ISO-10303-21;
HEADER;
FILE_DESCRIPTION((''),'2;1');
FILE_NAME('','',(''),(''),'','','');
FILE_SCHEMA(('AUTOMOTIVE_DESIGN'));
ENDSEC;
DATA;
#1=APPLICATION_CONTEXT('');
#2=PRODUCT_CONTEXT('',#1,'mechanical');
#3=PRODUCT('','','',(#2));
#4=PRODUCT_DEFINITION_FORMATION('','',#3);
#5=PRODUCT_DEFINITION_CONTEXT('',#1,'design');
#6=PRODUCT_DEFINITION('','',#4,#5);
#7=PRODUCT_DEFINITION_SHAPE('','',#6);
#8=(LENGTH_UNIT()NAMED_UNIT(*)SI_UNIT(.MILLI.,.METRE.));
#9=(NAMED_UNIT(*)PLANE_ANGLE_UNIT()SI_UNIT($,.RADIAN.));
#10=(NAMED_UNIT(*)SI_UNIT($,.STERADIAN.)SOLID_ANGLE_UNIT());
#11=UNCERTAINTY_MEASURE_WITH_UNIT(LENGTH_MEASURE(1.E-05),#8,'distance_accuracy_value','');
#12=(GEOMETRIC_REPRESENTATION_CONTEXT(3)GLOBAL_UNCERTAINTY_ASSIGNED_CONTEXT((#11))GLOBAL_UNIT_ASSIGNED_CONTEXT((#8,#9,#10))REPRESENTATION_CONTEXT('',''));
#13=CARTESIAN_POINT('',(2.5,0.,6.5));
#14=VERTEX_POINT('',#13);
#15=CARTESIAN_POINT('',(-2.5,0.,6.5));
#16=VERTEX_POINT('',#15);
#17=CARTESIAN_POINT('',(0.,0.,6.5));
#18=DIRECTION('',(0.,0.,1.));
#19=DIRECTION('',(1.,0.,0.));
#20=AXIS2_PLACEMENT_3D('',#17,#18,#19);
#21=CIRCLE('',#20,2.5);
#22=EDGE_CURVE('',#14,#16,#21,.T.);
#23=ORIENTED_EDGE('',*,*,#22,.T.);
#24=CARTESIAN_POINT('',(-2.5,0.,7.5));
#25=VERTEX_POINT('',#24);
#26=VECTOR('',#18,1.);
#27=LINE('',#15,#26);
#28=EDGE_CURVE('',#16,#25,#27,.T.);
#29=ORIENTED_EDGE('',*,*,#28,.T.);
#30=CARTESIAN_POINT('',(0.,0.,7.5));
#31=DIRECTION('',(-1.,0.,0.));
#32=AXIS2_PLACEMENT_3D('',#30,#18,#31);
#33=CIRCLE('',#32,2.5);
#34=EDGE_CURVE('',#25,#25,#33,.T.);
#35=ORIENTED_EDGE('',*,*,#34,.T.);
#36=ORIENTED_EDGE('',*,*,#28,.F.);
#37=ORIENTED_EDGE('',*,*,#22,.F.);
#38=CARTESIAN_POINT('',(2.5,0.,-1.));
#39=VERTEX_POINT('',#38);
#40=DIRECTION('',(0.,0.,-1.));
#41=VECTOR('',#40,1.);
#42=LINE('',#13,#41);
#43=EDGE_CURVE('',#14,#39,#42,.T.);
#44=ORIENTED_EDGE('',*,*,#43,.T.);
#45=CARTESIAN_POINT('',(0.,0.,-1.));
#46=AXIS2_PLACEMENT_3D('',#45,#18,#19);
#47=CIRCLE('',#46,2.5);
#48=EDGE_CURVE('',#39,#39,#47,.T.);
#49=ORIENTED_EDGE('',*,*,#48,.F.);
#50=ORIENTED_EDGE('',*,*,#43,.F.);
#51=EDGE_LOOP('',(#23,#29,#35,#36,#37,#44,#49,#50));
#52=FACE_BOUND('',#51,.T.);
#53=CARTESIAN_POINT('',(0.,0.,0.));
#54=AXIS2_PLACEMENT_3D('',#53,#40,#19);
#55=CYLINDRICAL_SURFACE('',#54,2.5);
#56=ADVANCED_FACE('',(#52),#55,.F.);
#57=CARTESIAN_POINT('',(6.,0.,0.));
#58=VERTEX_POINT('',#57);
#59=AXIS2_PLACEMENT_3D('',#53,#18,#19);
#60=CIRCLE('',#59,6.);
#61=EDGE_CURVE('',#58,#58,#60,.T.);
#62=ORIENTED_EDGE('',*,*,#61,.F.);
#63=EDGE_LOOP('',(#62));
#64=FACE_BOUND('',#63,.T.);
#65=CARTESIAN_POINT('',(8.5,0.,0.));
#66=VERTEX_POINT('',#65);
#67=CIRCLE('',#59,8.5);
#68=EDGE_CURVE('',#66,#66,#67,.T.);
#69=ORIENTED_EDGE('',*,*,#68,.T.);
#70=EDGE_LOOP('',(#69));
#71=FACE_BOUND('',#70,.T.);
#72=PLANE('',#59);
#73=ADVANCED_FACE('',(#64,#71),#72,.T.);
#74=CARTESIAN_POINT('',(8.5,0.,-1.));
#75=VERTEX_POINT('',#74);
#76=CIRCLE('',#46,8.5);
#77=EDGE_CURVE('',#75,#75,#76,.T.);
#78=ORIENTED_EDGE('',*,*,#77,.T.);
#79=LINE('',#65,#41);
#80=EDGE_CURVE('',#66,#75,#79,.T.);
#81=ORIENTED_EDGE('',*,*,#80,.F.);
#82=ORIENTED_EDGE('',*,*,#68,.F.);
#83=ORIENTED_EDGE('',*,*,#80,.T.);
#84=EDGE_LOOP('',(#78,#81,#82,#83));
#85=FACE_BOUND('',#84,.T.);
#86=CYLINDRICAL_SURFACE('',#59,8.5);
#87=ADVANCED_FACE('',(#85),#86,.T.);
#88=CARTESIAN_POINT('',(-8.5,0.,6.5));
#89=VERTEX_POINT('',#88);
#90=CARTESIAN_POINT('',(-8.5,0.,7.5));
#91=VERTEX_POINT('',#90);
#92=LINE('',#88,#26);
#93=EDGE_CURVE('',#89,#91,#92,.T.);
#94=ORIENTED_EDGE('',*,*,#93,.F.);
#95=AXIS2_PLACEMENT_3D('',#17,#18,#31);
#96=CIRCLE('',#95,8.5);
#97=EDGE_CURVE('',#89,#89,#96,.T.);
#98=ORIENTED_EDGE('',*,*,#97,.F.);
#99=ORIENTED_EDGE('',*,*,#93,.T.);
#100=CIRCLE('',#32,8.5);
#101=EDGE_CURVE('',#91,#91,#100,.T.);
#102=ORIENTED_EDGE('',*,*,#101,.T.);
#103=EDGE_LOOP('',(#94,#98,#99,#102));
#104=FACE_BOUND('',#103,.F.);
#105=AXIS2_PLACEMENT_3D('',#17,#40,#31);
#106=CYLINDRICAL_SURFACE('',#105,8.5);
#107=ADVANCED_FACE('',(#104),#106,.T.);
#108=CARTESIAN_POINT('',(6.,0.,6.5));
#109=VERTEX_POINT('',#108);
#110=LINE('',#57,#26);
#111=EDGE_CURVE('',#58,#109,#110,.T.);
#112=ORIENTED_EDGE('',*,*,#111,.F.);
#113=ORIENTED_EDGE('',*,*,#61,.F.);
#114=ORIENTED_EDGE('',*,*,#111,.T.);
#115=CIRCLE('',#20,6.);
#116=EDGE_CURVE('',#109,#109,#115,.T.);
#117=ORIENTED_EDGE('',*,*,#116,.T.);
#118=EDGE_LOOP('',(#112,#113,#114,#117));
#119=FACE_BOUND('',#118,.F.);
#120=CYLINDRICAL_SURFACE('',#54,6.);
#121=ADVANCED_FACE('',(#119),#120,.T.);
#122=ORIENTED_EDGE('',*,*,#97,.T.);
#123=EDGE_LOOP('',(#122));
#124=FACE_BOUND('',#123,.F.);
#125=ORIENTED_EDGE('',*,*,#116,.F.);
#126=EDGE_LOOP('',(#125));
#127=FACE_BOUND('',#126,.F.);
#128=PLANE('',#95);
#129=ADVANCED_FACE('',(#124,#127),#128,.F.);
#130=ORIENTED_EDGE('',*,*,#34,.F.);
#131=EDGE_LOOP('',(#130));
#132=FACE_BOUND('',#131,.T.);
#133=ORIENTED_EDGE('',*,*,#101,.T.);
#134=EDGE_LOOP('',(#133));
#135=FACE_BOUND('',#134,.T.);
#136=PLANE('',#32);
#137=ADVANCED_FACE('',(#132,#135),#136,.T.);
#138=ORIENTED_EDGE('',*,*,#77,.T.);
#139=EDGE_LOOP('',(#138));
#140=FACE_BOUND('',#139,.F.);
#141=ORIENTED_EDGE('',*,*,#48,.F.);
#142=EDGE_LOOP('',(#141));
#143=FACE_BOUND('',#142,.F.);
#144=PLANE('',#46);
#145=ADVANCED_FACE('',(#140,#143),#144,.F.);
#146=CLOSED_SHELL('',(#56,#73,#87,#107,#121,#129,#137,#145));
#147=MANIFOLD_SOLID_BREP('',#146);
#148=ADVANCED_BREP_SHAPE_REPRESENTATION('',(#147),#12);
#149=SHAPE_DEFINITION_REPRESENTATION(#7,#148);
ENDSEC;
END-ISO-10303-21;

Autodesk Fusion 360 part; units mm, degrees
sketch "Sketch1" plane through (0, 0, 0) normal (0, 0, 1) x (1, 0, 0)
  circle A0 centre (0, 0) radius 6
  circle A1 centre (0, 0) radius 8.5
  circle A2 centre (0, 0) radius 2.5
  dimension "d1" = 12
  dimension "d2" = 17
  dimension "d3" = 5
extrude "Extrude1" add sketch "Sketch1" along normal blind 6.5 contours A0
extrude "Extrude2" add sketch "Sketch1" against normal blind 1 contours A0 | A1
sketch "Sketch2" plane through (0, 0, 6.5) normal (0, 0, 1) x (-1, 0, 0)
  circle A0 centre (0, 0) radius 2.5
  circle A1 centre (0, 0) radius 6
  circle A2 centre (0, 0) radius 8.5
  dimension "d8" = 17
extrude "Extrude3" add sketch "Sketch2" along normal blind 1 contours A1 | A2
